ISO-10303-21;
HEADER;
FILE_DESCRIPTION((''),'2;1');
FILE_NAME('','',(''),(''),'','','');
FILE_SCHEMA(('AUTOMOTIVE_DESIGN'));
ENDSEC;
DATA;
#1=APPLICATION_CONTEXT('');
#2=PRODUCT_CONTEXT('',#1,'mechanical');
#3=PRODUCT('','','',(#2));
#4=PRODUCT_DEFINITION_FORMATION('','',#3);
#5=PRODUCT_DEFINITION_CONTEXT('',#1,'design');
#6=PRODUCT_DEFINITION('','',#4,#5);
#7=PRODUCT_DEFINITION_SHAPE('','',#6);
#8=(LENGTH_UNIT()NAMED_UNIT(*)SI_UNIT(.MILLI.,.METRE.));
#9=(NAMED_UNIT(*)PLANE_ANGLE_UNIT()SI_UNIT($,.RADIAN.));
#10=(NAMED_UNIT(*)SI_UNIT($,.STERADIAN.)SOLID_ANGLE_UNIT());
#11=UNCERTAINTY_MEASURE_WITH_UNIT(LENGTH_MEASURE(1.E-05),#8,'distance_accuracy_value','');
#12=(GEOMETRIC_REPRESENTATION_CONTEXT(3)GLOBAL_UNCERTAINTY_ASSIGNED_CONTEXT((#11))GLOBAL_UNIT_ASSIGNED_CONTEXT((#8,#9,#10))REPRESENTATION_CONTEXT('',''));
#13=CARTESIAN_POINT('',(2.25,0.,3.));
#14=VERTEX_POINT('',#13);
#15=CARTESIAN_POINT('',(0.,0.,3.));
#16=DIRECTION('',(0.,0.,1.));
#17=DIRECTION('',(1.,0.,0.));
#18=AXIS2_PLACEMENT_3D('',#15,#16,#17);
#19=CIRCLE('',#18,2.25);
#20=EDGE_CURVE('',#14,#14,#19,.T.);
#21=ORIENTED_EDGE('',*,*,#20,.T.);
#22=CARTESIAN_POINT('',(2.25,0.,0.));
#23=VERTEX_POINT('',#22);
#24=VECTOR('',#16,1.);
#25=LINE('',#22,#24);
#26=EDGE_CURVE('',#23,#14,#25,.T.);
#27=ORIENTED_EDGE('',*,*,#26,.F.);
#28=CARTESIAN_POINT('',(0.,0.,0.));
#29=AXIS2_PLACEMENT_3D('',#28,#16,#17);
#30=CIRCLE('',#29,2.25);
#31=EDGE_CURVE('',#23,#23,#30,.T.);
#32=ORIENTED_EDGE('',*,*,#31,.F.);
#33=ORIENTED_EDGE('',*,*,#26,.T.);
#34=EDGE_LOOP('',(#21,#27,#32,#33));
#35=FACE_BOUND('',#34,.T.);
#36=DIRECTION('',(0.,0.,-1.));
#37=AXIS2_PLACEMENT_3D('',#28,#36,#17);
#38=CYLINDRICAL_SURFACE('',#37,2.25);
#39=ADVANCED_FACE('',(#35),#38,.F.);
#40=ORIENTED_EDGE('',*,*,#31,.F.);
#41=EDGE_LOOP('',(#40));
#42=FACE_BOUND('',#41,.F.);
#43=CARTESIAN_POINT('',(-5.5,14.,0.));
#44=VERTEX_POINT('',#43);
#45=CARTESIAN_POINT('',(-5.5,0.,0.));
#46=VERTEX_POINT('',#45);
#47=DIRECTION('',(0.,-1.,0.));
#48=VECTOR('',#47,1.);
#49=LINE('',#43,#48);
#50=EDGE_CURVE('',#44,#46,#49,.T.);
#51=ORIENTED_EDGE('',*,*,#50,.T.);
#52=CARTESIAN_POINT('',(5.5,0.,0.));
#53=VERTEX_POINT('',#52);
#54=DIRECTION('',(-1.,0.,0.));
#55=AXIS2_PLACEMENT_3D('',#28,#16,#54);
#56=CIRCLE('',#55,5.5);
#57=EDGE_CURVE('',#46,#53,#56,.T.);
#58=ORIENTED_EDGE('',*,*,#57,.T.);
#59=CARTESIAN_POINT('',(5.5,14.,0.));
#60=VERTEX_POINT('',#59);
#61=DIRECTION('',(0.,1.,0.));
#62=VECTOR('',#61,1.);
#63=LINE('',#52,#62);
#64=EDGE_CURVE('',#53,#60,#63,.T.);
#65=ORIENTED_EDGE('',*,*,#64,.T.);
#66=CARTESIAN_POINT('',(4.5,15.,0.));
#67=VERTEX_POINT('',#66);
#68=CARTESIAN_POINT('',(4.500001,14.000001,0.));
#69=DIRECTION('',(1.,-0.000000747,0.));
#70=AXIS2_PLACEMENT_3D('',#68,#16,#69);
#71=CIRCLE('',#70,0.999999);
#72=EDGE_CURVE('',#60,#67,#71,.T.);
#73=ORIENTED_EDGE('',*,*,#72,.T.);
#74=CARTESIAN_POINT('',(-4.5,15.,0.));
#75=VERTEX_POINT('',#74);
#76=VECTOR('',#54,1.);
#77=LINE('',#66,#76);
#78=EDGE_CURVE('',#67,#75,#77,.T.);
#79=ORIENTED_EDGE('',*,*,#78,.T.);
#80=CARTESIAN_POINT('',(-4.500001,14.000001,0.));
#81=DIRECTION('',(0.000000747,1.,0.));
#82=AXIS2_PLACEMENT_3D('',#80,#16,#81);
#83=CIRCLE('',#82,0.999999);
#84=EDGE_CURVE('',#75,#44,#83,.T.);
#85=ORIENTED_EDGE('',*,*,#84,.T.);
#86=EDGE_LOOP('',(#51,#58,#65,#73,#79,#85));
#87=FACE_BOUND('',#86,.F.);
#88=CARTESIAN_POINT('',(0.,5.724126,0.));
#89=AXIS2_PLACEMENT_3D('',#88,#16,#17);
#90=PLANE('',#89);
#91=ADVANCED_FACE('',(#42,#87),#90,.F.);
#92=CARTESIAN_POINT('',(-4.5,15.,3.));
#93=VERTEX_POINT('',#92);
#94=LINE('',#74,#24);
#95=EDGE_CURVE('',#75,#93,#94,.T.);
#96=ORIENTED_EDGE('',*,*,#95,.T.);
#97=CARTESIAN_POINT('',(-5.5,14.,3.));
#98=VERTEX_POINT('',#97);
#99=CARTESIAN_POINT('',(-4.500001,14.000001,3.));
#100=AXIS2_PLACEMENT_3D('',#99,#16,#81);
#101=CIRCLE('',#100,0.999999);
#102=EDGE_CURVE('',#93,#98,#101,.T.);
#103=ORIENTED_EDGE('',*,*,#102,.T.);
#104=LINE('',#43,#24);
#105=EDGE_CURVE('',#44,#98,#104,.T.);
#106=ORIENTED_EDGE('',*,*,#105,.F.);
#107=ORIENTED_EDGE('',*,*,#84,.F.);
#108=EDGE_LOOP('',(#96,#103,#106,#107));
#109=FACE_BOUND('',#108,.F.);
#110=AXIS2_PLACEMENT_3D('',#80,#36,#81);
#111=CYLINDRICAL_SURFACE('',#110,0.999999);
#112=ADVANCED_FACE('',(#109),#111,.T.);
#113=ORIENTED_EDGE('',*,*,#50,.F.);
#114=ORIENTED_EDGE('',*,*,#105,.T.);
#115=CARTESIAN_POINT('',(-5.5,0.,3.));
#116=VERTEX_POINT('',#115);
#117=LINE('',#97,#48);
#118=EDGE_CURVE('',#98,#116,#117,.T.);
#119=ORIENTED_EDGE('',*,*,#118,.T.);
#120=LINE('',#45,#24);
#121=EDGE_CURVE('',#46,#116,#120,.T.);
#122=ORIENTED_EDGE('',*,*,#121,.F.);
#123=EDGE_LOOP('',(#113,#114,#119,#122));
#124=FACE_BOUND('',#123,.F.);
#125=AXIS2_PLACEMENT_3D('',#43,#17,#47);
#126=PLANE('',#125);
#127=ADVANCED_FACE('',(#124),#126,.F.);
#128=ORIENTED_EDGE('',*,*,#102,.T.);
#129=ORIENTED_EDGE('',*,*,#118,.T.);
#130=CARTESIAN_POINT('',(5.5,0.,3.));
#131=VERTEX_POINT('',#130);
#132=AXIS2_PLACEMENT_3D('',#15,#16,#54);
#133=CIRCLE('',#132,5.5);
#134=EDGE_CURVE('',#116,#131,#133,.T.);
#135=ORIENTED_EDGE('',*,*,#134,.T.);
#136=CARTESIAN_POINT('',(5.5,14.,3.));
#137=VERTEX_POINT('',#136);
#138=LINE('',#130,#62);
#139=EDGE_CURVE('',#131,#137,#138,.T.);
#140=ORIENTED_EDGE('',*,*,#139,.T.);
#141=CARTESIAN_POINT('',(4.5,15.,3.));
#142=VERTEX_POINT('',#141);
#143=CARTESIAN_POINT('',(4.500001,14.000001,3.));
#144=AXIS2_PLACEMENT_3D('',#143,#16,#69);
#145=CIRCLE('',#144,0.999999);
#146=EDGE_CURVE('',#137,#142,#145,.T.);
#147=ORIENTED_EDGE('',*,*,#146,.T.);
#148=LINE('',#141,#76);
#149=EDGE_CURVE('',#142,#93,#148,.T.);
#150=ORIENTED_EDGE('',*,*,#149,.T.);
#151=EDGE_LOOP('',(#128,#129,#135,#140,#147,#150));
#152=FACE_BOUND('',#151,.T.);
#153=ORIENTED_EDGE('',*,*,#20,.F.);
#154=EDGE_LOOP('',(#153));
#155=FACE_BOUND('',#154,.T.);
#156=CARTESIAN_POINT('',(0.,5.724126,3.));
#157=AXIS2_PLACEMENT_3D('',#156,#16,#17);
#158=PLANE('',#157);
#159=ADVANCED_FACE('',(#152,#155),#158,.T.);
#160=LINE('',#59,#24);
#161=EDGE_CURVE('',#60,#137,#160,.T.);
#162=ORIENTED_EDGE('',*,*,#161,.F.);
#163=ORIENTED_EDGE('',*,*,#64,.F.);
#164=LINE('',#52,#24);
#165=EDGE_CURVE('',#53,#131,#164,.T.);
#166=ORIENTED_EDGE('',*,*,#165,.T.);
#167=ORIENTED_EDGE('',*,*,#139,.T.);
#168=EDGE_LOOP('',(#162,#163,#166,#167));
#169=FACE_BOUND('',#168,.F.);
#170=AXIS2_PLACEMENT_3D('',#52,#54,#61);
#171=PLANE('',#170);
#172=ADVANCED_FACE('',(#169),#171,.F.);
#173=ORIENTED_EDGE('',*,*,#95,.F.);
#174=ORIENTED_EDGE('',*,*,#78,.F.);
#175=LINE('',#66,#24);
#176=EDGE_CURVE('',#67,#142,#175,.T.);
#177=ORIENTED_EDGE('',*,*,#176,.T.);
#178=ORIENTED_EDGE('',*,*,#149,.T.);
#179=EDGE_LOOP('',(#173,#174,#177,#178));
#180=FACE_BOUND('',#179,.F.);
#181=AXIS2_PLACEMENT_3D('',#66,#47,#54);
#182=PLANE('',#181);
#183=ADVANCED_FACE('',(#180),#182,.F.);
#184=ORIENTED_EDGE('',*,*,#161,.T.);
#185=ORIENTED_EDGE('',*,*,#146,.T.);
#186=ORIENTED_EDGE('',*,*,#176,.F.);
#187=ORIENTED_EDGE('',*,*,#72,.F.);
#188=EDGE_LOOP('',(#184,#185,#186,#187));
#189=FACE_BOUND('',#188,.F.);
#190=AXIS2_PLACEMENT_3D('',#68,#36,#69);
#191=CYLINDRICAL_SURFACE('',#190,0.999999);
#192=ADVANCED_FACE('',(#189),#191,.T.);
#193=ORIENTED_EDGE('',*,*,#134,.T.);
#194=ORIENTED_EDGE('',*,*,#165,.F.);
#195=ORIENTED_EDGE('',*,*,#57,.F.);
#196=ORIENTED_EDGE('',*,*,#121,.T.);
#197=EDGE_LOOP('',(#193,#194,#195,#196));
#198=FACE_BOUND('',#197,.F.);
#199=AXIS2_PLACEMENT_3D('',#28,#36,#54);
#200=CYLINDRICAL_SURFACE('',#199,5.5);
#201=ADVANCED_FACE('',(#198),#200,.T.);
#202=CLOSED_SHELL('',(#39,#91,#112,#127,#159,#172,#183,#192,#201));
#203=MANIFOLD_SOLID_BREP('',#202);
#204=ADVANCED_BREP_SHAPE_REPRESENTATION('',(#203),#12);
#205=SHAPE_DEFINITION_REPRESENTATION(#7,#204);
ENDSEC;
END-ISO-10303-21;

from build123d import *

# Parameters (mm, degrees)
F0_R     = 2.25
F1_DEPTH = 3


with BuildPart() as f1:
    # F0 (on Top) → F1 (new body)
    with BuildSketch(Plane.XY):
        with BuildLine():
            Line((-5.5, 14), (-5.5, 0))
            ThreePointArc((-5.5, 0), (0, -5.5), (5.5, 0))
            Line((5.5, 0), (5.5, 14))
            ThreePointArc((5.5, 14), (5.207107, 14.707107), (4.5, 15))
            Line((4.5, 15), (-4.5, 15))
            ThreePointArc((-4.5, 15), (-5.207107, 14.707107), (-5.5, 14))
        make_face()
        Circle(F0_R, mode=Mode.SUBTRACT)
    extrude(amount=F1_DEPTH)


solid = f1.part
